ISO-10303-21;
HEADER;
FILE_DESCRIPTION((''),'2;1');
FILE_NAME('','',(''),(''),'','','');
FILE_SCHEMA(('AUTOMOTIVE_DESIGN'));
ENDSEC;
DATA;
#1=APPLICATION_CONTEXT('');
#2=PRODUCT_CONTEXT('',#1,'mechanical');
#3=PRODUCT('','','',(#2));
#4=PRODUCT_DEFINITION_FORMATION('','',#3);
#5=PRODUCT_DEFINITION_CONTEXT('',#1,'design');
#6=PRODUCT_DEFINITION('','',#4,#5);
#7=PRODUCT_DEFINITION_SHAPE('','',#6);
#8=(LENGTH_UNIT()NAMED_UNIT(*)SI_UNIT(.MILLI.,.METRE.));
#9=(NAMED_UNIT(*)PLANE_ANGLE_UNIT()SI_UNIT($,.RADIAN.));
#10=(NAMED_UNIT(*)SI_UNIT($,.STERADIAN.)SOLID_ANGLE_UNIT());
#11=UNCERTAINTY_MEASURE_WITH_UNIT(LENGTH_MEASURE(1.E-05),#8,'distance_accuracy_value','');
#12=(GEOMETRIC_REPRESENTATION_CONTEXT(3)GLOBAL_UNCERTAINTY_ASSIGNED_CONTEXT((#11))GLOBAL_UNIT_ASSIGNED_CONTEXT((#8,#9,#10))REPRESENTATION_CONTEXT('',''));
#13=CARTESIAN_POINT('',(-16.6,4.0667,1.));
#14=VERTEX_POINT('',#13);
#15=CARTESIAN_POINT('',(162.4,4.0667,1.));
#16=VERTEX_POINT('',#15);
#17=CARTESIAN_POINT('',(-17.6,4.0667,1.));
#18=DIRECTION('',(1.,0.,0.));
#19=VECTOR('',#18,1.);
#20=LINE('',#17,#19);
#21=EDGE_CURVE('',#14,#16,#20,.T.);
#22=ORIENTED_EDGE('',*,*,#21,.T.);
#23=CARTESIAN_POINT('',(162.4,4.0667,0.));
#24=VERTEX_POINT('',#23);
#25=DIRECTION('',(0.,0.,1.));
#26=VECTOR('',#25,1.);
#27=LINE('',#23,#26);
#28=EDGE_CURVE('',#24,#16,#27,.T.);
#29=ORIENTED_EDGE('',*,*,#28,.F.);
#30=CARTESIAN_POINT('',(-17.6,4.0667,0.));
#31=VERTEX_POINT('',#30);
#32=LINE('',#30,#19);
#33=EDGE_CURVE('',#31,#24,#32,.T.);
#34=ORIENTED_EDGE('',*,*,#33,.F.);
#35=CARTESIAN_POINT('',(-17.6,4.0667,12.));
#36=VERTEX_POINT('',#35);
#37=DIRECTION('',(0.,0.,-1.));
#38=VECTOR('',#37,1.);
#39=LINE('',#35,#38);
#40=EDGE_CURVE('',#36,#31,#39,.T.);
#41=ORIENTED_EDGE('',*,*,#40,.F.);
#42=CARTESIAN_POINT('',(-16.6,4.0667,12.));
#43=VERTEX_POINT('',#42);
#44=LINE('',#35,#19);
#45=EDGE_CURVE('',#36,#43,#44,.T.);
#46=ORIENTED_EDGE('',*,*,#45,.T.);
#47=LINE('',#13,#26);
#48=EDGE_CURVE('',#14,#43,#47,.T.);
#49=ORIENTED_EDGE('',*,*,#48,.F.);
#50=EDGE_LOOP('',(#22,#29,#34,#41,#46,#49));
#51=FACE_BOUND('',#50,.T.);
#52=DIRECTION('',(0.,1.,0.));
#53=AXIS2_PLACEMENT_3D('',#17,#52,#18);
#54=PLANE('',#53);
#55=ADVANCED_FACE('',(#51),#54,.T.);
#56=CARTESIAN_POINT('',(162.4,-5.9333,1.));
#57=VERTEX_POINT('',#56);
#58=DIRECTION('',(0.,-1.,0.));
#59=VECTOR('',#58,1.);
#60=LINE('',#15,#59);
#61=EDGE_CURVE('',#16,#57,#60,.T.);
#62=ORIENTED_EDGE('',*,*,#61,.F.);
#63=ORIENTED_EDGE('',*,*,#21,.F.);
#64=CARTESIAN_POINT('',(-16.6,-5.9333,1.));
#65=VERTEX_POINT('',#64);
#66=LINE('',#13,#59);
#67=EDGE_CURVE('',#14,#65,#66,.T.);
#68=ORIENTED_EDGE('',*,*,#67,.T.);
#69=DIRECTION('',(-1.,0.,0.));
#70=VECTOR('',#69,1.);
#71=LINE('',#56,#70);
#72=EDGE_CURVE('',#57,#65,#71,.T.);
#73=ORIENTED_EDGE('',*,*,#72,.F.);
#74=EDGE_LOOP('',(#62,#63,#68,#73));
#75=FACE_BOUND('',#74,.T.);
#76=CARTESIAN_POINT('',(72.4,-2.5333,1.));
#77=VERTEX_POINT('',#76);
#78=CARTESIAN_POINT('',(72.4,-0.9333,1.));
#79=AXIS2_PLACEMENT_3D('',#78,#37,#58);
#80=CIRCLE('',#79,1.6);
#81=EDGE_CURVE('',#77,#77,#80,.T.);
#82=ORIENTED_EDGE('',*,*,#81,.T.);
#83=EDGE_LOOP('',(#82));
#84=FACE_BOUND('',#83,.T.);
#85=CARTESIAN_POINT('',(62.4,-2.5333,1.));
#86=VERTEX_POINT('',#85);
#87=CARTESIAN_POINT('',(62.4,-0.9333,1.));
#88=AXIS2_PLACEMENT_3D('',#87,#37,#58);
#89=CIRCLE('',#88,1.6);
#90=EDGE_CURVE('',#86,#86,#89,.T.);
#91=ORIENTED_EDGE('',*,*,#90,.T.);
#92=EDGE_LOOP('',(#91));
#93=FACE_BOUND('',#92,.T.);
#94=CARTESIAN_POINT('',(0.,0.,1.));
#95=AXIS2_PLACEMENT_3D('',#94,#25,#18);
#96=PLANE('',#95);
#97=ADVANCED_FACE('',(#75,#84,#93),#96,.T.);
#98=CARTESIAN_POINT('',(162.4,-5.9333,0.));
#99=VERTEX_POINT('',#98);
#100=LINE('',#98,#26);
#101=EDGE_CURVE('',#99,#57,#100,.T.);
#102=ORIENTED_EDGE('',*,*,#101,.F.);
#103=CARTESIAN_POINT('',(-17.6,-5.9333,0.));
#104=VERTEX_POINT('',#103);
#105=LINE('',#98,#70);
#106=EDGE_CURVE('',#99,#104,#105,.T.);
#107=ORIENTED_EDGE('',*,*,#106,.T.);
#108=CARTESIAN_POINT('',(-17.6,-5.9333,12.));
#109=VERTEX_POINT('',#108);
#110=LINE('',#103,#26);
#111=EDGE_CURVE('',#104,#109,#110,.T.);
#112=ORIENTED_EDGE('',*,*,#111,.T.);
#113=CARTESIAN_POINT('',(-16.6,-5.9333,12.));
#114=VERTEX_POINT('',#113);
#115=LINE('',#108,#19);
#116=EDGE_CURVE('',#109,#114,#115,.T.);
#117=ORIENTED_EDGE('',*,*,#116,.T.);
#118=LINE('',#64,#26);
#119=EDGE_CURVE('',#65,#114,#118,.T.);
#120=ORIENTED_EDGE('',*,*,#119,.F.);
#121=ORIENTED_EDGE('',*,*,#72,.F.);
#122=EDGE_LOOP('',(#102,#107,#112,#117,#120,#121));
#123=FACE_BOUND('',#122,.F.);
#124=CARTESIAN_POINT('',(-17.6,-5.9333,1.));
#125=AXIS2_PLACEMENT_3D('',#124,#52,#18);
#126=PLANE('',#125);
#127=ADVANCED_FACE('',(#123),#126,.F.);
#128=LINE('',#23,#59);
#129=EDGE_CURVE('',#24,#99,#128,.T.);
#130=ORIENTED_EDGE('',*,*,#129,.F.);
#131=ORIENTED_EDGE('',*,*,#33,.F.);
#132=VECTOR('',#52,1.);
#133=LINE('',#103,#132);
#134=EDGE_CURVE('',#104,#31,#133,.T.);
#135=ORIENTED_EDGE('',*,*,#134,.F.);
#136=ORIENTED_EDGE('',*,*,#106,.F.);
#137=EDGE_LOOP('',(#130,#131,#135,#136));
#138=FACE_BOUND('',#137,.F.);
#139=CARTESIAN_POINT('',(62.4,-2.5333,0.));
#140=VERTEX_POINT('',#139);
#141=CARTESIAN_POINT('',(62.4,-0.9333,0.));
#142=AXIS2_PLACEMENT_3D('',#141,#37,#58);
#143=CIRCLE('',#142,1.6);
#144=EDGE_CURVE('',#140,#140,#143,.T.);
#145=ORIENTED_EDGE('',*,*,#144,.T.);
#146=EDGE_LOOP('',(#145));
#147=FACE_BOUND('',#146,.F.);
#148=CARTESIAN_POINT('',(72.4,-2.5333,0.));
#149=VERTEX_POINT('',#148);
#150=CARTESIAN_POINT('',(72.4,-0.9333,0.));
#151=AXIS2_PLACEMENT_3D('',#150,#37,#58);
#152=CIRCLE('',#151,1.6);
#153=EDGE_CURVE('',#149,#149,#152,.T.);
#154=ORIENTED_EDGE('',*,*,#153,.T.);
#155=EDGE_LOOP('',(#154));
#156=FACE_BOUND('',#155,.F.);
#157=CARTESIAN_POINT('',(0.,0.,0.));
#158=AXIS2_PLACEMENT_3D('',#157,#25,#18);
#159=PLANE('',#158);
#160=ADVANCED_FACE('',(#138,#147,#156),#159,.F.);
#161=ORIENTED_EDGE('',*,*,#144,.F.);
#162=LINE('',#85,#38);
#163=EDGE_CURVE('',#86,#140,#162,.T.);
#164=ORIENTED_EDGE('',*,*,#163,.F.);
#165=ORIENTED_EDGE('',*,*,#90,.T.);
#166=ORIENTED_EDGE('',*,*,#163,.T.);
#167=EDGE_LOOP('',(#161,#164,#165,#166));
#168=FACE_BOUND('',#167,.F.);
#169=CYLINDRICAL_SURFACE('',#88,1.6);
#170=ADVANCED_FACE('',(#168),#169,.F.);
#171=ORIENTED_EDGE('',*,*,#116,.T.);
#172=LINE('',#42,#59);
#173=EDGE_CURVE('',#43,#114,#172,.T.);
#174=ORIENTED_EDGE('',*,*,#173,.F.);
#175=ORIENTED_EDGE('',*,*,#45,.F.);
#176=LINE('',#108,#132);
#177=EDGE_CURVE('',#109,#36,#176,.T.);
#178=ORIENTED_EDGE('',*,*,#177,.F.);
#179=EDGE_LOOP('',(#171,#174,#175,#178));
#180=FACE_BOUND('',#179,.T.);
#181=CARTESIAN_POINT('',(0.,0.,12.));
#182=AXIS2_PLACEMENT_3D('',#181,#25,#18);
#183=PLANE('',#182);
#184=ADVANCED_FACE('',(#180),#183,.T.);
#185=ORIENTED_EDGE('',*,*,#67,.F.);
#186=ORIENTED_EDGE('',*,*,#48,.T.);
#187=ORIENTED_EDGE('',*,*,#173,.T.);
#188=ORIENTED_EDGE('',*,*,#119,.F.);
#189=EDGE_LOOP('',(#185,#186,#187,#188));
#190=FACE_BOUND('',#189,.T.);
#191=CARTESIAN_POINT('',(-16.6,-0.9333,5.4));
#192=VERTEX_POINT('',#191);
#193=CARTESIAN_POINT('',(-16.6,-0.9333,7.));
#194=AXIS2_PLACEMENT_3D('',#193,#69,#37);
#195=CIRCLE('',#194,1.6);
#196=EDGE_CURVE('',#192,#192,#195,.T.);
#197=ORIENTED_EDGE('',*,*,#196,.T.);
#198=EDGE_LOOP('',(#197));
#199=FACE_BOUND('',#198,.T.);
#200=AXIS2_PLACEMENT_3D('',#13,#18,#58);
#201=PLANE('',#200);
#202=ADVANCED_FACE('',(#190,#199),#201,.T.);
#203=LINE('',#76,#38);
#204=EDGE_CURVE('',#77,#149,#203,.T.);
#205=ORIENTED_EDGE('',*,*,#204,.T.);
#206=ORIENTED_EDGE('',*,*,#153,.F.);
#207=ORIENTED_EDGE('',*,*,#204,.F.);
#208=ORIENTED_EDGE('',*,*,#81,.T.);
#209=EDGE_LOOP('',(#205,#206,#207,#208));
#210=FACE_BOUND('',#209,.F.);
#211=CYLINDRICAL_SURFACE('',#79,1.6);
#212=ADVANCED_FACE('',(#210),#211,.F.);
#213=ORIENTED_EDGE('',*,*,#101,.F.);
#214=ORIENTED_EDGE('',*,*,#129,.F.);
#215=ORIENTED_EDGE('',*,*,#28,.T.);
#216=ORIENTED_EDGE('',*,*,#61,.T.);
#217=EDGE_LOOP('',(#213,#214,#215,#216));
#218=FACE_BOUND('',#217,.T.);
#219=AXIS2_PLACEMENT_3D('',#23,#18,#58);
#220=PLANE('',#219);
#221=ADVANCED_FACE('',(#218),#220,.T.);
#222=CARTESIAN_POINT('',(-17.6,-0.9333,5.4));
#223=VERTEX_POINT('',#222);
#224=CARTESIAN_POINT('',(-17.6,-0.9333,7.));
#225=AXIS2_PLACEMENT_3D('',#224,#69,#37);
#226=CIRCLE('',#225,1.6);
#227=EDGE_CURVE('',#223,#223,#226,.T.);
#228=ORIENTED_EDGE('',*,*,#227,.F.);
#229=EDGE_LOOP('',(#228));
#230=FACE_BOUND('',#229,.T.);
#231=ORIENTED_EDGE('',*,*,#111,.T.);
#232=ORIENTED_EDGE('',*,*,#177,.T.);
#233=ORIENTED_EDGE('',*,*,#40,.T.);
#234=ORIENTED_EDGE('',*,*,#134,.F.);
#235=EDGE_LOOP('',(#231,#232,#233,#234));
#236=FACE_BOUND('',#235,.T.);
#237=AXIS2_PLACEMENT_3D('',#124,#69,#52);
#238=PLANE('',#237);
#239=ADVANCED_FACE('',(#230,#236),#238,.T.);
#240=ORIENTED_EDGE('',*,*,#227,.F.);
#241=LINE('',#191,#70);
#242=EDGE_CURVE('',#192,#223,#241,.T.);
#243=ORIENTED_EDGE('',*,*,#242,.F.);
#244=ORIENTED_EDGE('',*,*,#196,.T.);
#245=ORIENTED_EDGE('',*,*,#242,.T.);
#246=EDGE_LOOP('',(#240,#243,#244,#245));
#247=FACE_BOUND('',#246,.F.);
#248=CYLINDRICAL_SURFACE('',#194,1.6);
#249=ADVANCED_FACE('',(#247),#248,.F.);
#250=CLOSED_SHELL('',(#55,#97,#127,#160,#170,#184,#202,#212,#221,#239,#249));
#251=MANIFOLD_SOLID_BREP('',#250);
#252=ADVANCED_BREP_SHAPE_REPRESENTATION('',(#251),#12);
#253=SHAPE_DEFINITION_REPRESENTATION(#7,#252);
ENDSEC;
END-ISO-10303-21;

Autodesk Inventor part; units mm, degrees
ref_plane "YZ Plane" through (0, 0, 0) normal (1, 0, 0) x (0, 1, 0)
ref_plane "XZ Plane" through (0, 0, 0) normal (0, 1, 0) x (-1, 0, 0)
ref_plane "XY Plane" through (0, 0, 0) normal (0, 0, 1) x (1, 0, 0)
sketch "スケッチ1" plane through (0, 0, 0) normal (0, 0, 1) x (1, 0, 0)
  line L0 (-17.6, 4.0667) -> (162.4, 4.0667)
  line L1 (162.4, 4.0667) -> (162.4, -5.9333)
  line L2 (162.4, -5.9333) -> (-17.6, -5.9333)
  line L3 (-17.6, -5.9333) -> (-17.6, 4.0667)
  point P0 (0, 0)
  dimension "d0" = 10
  dimension "d1" = 180
extrude "押し出し1" add sketch "スケッチ1" along normal blind 1
sketch "スケッチ3" plane through (0, 0, 1) normal (0, 0, 1) x (1, 0, 0)
  circle A0 centre (62.4, -0.9333) radius 1.5
  line L0 (-17.6, 4.0667) -> (-17.6, -5.9333) projected
  line L1 (-17.6, -5.9333) -> (162.4, -5.9333) projected
  line L2 (162.4, 4.0667) -> (-17.6, 4.0667) projected
  point P0 (0, 0)
  point P1 (72.4, -0.9333)
  dimension "d14" = 3
  dimension "d15" = 80
  dimension "d16" = 5
  dimension "d24" = 10
  dimension "d25" = 5
hole "穴2" at (62.4, -0.9333, 1) at (72.4, -0.9333, 1) direction (0, 0, -1) diameter 3.2 end through all
sketch "スケッチ4" plane through (0, 0, 1) normal (0, 0, 1) x (1, 0, 0)
  line L0 (-17.6, -5.9333) -> (162.4, -5.9333) projected
  line L1 (-17.6, 4.0667) -> (-16.6, 4.0667)
  line L2 (-16.6, 4.0667) -> (-16.6, -5.9333)
  line L3 (-16.6, -5.9333) -> (-17.6, -5.9333)
  line L4 (-17.6, -5.9333) -> (-17.6, 4.0667)
  point P0 (0, 0)
  dimension "d26" = 1
extrude "押し出し2" add sketch "スケッチ4" along normal blind 11
sketch "スケッチ5" plane through (-16.6, -5.9333, 1) normal (1, 0, 0) x (0, 0, -1)
  line L0 (-11, 0) -> (-11, 10) projected
  line L1 (0, 0) -> (-11, 0) projected
  point P0 (1, 5.9333)
  point P1 (-6, 5)
  dimension "d29" = 5
  dimension "d30" = 5
hole "穴3" at (-16.6, -0.9333, 7) direction (-1, 0, 0) diameter 3.2 end through all
properties part number "爪２" material "アルミニウム 6061"
